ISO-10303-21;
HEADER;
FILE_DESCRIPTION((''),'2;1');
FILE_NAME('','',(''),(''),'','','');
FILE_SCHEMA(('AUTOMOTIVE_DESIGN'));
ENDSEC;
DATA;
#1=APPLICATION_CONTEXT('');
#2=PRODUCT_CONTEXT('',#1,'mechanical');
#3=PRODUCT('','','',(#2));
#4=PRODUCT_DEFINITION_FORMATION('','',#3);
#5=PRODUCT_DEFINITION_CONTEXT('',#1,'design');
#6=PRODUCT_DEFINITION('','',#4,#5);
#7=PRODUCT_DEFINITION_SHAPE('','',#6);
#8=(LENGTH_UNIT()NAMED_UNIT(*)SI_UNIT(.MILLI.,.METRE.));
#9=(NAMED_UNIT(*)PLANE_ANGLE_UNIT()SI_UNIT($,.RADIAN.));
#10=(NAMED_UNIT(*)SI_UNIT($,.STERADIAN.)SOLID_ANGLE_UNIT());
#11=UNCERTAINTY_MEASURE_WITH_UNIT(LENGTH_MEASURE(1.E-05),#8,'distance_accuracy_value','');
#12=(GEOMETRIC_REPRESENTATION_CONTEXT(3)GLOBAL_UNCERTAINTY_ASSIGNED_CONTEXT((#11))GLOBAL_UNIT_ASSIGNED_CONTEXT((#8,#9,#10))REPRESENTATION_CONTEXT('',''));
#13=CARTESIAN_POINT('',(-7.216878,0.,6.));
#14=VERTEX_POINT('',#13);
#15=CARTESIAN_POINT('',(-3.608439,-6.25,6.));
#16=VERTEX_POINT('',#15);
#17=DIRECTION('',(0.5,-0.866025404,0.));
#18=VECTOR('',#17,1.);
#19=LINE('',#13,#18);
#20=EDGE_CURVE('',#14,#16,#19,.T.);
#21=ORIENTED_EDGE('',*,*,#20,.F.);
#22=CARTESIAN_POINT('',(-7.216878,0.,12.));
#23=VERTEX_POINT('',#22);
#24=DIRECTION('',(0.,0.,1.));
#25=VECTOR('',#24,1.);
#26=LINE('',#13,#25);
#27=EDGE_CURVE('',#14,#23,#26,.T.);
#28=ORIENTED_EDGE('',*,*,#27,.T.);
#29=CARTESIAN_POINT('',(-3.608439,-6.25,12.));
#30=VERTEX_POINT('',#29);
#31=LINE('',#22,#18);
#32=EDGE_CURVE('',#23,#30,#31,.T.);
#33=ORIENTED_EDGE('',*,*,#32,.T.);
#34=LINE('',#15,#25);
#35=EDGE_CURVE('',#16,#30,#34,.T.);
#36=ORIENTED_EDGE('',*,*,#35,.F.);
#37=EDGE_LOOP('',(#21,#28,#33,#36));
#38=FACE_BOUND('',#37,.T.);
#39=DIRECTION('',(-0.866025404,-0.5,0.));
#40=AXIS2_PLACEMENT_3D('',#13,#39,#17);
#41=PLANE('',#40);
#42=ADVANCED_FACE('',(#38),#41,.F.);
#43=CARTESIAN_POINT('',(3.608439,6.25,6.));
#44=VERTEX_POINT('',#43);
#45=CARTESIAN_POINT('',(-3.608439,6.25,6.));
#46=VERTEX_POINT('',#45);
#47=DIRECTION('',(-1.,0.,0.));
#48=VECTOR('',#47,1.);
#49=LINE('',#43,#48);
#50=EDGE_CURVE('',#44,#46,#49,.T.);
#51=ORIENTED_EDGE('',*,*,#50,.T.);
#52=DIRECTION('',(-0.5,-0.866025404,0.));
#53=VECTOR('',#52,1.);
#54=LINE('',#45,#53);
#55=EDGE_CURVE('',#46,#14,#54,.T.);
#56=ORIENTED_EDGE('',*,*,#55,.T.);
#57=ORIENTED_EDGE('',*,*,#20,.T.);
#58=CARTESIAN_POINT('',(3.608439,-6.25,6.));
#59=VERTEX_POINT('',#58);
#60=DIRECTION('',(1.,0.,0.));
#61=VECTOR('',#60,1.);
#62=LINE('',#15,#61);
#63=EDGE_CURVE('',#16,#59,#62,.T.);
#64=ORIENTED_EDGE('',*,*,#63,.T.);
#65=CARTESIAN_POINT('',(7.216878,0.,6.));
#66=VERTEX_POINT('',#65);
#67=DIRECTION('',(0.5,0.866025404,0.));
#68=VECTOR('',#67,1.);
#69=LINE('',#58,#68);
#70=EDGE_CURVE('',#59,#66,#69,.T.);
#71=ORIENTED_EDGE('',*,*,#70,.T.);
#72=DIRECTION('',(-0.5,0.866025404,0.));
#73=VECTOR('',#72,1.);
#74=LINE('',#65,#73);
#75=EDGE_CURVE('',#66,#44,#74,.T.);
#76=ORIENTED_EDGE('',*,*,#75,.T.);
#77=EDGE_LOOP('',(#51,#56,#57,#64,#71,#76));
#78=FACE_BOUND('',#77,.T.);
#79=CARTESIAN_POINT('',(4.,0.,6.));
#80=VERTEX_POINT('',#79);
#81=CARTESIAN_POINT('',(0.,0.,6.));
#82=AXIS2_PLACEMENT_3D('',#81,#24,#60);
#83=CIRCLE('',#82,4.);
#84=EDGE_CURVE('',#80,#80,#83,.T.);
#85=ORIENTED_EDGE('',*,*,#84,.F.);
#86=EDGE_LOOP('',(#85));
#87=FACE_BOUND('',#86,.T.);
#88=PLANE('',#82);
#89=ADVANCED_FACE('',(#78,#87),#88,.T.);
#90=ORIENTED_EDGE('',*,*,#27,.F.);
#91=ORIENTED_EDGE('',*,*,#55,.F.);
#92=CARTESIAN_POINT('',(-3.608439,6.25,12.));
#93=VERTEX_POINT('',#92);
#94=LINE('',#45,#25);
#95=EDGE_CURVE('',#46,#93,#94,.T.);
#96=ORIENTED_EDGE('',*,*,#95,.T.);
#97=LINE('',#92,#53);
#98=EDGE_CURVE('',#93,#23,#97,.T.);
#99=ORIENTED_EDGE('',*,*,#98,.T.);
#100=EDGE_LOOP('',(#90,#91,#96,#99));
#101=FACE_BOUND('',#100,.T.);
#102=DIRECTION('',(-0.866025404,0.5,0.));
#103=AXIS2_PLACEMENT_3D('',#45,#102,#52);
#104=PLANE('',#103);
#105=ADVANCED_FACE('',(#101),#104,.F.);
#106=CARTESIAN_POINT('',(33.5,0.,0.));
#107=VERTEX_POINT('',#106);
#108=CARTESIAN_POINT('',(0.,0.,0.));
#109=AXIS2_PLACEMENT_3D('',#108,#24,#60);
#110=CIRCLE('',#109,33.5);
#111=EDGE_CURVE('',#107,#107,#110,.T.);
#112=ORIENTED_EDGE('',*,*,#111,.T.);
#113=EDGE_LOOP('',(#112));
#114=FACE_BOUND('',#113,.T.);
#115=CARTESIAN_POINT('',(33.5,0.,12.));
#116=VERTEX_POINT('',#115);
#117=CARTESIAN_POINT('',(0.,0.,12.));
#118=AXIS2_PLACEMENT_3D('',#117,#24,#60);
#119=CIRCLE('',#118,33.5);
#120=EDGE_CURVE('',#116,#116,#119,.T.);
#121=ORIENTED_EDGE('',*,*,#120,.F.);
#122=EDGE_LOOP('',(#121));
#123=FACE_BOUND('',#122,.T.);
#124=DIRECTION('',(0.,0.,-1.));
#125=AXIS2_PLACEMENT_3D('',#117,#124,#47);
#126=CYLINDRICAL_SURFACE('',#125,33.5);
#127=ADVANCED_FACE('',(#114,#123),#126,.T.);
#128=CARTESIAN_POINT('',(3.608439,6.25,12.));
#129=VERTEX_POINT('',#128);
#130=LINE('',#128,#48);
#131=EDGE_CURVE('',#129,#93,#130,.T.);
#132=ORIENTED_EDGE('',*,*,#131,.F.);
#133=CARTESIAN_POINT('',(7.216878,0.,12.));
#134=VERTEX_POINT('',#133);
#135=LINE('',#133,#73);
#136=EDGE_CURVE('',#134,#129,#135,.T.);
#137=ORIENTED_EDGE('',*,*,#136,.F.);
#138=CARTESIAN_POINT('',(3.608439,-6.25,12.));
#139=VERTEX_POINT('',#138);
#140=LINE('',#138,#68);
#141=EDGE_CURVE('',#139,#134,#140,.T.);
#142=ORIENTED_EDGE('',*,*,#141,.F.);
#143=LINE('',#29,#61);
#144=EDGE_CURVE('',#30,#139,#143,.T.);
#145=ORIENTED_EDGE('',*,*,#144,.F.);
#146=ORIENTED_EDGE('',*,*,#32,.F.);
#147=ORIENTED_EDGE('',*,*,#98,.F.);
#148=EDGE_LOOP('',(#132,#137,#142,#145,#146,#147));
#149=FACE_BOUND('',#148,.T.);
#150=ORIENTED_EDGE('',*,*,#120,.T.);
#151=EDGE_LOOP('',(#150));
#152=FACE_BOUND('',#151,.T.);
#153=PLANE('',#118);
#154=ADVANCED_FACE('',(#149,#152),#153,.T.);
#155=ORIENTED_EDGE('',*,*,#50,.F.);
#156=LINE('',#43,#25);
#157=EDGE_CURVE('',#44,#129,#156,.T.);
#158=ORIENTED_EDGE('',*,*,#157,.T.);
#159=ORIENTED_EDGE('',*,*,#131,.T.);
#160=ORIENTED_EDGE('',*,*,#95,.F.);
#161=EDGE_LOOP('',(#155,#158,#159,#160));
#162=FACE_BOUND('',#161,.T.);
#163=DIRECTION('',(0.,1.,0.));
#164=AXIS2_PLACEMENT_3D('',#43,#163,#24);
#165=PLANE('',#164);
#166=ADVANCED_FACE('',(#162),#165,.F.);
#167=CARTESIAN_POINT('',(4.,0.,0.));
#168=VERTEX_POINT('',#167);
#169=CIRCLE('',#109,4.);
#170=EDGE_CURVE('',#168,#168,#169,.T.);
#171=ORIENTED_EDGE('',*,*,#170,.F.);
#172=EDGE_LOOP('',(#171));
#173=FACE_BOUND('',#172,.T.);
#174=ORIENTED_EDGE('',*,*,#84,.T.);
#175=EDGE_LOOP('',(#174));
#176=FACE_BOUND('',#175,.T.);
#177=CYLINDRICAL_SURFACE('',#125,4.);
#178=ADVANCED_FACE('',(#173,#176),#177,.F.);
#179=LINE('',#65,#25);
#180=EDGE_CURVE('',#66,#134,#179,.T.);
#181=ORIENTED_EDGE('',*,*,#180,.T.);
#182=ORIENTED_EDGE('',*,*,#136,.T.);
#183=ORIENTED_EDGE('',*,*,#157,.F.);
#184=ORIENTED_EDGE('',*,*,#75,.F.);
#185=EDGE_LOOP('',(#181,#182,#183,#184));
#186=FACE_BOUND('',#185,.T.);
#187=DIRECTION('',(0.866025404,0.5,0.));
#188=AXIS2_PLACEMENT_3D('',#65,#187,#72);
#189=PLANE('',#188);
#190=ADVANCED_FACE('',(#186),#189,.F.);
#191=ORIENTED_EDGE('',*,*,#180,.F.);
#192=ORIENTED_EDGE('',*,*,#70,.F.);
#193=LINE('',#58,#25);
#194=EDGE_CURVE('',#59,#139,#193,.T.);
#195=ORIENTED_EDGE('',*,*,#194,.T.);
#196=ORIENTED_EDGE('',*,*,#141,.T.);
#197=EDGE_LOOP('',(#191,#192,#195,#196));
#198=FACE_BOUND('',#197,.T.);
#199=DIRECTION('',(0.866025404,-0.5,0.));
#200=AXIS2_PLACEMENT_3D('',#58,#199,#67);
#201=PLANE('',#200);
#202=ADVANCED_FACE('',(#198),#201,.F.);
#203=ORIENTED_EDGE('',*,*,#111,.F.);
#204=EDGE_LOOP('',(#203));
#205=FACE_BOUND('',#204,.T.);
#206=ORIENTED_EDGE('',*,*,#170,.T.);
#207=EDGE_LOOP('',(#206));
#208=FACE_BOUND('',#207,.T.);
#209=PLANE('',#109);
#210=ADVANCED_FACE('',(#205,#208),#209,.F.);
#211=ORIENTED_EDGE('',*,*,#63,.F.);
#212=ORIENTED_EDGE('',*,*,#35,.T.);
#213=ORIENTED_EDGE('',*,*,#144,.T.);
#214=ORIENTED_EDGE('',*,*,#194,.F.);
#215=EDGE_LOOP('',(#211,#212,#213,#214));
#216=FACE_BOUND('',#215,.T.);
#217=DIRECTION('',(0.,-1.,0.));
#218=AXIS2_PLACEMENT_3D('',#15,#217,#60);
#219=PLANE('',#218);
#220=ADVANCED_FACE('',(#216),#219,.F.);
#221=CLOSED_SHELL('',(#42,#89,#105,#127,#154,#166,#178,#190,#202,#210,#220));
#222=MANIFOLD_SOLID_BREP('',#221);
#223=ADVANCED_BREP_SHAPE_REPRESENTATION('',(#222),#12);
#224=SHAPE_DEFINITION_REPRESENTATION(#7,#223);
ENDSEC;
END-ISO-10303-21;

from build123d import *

# Parameters (mm, degrees)
SKETCH1_R           = 33.5
SKETCH1_R_2         = 4
BOSS_EXTRUDE1_DEPTH = 12
CUT_EXTRUDE1_DEPTH  = 6


with BuildPart() as part:
    # Sketch1 → Boss-Extrude1 (new body)
    with BuildSketch(Plane.XY):
        Circle(SKETCH1_R)
        Circle(SKETCH1_R_2, mode=Mode.SUBTRACT)
    extrude(amount=BOSS_EXTRUDE1_DEPTH)

    # Sketch2 → Cut-Extrude1 (cut)
    with BuildSketch(Plane.XY.offset(12)):
        Polygon((7.216878365, 0), (3.608439182, 6.25), (-3.608439182, 6.25), (-7.216878365, 0), (-3.608439182, -6.25), (3.608439182, -6.25), align=None)
    extrude(amount=-CUT_EXTRUDE1_DEPTH, mode=Mode.SUBTRACT)


solid = part.part
